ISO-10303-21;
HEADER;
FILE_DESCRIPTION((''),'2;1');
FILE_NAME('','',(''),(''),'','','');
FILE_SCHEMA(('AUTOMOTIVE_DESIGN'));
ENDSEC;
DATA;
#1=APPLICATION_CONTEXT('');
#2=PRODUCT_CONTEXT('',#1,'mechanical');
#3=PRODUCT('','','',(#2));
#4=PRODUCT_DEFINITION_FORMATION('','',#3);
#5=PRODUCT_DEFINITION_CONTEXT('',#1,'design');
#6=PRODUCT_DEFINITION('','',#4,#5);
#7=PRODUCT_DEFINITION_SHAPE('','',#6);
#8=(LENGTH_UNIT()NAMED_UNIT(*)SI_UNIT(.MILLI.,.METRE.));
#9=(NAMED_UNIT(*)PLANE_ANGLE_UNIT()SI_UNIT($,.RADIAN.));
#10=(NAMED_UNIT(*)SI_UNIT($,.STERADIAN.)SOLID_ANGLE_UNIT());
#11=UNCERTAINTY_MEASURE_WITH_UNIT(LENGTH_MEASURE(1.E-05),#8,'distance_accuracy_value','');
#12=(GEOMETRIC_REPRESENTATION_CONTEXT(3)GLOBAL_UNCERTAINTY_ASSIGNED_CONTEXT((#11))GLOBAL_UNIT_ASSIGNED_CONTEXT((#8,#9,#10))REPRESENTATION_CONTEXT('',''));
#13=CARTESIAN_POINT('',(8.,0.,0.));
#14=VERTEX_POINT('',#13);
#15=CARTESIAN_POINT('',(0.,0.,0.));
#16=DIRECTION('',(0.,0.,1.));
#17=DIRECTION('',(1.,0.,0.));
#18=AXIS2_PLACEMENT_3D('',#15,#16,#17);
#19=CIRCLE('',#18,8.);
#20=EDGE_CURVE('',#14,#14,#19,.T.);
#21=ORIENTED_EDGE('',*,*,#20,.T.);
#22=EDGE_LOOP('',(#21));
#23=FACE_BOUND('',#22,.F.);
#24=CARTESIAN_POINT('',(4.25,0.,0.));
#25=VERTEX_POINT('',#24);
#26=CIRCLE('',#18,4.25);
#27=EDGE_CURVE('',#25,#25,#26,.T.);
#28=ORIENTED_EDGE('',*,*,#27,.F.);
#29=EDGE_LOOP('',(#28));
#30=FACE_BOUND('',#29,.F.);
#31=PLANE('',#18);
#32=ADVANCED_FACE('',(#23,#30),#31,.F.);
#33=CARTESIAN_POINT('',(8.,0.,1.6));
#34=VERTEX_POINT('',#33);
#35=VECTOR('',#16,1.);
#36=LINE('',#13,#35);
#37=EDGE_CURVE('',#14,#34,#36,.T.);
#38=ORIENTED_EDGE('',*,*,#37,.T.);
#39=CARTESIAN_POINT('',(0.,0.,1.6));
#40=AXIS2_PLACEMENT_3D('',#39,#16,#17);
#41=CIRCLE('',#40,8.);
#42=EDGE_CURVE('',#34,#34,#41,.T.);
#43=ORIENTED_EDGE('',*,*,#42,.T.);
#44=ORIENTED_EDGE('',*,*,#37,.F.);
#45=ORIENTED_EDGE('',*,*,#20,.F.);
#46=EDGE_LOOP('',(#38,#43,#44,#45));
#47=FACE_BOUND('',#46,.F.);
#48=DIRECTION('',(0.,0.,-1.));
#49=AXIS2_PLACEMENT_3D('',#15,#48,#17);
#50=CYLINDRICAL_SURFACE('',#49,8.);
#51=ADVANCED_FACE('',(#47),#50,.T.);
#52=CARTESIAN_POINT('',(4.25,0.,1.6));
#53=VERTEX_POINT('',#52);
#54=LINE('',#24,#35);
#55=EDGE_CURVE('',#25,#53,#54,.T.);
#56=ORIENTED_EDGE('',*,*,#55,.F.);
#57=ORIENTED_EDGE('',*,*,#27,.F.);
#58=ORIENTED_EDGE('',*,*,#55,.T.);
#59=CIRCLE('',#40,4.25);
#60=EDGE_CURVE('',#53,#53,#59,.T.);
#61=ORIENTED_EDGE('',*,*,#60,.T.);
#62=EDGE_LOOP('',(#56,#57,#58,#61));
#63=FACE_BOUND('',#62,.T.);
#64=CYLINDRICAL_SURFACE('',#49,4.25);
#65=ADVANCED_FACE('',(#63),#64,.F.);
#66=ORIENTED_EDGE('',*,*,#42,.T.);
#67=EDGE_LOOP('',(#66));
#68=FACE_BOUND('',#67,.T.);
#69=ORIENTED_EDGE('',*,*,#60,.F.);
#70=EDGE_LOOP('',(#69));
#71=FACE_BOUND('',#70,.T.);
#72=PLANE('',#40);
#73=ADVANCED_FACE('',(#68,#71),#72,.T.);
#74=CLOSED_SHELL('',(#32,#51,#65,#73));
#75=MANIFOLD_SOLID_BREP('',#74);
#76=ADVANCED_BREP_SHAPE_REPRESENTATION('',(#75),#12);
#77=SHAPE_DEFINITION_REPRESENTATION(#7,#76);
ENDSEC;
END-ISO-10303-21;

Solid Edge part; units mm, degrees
sketch "Sketch1" plane through (0, 0, 0) normal (0, 0, 1) x (1, 0, 0)
  circle A0 centre (0, 0) radius 8
  circle A1 centre (0, 0) radius 4.25
  dimension "D1" = 16
  dimension "D2" = 8.5
extrude "Protrusion1" add sketch "Sketch1" along normal blind 1.6
properties material "Stainless steel"
